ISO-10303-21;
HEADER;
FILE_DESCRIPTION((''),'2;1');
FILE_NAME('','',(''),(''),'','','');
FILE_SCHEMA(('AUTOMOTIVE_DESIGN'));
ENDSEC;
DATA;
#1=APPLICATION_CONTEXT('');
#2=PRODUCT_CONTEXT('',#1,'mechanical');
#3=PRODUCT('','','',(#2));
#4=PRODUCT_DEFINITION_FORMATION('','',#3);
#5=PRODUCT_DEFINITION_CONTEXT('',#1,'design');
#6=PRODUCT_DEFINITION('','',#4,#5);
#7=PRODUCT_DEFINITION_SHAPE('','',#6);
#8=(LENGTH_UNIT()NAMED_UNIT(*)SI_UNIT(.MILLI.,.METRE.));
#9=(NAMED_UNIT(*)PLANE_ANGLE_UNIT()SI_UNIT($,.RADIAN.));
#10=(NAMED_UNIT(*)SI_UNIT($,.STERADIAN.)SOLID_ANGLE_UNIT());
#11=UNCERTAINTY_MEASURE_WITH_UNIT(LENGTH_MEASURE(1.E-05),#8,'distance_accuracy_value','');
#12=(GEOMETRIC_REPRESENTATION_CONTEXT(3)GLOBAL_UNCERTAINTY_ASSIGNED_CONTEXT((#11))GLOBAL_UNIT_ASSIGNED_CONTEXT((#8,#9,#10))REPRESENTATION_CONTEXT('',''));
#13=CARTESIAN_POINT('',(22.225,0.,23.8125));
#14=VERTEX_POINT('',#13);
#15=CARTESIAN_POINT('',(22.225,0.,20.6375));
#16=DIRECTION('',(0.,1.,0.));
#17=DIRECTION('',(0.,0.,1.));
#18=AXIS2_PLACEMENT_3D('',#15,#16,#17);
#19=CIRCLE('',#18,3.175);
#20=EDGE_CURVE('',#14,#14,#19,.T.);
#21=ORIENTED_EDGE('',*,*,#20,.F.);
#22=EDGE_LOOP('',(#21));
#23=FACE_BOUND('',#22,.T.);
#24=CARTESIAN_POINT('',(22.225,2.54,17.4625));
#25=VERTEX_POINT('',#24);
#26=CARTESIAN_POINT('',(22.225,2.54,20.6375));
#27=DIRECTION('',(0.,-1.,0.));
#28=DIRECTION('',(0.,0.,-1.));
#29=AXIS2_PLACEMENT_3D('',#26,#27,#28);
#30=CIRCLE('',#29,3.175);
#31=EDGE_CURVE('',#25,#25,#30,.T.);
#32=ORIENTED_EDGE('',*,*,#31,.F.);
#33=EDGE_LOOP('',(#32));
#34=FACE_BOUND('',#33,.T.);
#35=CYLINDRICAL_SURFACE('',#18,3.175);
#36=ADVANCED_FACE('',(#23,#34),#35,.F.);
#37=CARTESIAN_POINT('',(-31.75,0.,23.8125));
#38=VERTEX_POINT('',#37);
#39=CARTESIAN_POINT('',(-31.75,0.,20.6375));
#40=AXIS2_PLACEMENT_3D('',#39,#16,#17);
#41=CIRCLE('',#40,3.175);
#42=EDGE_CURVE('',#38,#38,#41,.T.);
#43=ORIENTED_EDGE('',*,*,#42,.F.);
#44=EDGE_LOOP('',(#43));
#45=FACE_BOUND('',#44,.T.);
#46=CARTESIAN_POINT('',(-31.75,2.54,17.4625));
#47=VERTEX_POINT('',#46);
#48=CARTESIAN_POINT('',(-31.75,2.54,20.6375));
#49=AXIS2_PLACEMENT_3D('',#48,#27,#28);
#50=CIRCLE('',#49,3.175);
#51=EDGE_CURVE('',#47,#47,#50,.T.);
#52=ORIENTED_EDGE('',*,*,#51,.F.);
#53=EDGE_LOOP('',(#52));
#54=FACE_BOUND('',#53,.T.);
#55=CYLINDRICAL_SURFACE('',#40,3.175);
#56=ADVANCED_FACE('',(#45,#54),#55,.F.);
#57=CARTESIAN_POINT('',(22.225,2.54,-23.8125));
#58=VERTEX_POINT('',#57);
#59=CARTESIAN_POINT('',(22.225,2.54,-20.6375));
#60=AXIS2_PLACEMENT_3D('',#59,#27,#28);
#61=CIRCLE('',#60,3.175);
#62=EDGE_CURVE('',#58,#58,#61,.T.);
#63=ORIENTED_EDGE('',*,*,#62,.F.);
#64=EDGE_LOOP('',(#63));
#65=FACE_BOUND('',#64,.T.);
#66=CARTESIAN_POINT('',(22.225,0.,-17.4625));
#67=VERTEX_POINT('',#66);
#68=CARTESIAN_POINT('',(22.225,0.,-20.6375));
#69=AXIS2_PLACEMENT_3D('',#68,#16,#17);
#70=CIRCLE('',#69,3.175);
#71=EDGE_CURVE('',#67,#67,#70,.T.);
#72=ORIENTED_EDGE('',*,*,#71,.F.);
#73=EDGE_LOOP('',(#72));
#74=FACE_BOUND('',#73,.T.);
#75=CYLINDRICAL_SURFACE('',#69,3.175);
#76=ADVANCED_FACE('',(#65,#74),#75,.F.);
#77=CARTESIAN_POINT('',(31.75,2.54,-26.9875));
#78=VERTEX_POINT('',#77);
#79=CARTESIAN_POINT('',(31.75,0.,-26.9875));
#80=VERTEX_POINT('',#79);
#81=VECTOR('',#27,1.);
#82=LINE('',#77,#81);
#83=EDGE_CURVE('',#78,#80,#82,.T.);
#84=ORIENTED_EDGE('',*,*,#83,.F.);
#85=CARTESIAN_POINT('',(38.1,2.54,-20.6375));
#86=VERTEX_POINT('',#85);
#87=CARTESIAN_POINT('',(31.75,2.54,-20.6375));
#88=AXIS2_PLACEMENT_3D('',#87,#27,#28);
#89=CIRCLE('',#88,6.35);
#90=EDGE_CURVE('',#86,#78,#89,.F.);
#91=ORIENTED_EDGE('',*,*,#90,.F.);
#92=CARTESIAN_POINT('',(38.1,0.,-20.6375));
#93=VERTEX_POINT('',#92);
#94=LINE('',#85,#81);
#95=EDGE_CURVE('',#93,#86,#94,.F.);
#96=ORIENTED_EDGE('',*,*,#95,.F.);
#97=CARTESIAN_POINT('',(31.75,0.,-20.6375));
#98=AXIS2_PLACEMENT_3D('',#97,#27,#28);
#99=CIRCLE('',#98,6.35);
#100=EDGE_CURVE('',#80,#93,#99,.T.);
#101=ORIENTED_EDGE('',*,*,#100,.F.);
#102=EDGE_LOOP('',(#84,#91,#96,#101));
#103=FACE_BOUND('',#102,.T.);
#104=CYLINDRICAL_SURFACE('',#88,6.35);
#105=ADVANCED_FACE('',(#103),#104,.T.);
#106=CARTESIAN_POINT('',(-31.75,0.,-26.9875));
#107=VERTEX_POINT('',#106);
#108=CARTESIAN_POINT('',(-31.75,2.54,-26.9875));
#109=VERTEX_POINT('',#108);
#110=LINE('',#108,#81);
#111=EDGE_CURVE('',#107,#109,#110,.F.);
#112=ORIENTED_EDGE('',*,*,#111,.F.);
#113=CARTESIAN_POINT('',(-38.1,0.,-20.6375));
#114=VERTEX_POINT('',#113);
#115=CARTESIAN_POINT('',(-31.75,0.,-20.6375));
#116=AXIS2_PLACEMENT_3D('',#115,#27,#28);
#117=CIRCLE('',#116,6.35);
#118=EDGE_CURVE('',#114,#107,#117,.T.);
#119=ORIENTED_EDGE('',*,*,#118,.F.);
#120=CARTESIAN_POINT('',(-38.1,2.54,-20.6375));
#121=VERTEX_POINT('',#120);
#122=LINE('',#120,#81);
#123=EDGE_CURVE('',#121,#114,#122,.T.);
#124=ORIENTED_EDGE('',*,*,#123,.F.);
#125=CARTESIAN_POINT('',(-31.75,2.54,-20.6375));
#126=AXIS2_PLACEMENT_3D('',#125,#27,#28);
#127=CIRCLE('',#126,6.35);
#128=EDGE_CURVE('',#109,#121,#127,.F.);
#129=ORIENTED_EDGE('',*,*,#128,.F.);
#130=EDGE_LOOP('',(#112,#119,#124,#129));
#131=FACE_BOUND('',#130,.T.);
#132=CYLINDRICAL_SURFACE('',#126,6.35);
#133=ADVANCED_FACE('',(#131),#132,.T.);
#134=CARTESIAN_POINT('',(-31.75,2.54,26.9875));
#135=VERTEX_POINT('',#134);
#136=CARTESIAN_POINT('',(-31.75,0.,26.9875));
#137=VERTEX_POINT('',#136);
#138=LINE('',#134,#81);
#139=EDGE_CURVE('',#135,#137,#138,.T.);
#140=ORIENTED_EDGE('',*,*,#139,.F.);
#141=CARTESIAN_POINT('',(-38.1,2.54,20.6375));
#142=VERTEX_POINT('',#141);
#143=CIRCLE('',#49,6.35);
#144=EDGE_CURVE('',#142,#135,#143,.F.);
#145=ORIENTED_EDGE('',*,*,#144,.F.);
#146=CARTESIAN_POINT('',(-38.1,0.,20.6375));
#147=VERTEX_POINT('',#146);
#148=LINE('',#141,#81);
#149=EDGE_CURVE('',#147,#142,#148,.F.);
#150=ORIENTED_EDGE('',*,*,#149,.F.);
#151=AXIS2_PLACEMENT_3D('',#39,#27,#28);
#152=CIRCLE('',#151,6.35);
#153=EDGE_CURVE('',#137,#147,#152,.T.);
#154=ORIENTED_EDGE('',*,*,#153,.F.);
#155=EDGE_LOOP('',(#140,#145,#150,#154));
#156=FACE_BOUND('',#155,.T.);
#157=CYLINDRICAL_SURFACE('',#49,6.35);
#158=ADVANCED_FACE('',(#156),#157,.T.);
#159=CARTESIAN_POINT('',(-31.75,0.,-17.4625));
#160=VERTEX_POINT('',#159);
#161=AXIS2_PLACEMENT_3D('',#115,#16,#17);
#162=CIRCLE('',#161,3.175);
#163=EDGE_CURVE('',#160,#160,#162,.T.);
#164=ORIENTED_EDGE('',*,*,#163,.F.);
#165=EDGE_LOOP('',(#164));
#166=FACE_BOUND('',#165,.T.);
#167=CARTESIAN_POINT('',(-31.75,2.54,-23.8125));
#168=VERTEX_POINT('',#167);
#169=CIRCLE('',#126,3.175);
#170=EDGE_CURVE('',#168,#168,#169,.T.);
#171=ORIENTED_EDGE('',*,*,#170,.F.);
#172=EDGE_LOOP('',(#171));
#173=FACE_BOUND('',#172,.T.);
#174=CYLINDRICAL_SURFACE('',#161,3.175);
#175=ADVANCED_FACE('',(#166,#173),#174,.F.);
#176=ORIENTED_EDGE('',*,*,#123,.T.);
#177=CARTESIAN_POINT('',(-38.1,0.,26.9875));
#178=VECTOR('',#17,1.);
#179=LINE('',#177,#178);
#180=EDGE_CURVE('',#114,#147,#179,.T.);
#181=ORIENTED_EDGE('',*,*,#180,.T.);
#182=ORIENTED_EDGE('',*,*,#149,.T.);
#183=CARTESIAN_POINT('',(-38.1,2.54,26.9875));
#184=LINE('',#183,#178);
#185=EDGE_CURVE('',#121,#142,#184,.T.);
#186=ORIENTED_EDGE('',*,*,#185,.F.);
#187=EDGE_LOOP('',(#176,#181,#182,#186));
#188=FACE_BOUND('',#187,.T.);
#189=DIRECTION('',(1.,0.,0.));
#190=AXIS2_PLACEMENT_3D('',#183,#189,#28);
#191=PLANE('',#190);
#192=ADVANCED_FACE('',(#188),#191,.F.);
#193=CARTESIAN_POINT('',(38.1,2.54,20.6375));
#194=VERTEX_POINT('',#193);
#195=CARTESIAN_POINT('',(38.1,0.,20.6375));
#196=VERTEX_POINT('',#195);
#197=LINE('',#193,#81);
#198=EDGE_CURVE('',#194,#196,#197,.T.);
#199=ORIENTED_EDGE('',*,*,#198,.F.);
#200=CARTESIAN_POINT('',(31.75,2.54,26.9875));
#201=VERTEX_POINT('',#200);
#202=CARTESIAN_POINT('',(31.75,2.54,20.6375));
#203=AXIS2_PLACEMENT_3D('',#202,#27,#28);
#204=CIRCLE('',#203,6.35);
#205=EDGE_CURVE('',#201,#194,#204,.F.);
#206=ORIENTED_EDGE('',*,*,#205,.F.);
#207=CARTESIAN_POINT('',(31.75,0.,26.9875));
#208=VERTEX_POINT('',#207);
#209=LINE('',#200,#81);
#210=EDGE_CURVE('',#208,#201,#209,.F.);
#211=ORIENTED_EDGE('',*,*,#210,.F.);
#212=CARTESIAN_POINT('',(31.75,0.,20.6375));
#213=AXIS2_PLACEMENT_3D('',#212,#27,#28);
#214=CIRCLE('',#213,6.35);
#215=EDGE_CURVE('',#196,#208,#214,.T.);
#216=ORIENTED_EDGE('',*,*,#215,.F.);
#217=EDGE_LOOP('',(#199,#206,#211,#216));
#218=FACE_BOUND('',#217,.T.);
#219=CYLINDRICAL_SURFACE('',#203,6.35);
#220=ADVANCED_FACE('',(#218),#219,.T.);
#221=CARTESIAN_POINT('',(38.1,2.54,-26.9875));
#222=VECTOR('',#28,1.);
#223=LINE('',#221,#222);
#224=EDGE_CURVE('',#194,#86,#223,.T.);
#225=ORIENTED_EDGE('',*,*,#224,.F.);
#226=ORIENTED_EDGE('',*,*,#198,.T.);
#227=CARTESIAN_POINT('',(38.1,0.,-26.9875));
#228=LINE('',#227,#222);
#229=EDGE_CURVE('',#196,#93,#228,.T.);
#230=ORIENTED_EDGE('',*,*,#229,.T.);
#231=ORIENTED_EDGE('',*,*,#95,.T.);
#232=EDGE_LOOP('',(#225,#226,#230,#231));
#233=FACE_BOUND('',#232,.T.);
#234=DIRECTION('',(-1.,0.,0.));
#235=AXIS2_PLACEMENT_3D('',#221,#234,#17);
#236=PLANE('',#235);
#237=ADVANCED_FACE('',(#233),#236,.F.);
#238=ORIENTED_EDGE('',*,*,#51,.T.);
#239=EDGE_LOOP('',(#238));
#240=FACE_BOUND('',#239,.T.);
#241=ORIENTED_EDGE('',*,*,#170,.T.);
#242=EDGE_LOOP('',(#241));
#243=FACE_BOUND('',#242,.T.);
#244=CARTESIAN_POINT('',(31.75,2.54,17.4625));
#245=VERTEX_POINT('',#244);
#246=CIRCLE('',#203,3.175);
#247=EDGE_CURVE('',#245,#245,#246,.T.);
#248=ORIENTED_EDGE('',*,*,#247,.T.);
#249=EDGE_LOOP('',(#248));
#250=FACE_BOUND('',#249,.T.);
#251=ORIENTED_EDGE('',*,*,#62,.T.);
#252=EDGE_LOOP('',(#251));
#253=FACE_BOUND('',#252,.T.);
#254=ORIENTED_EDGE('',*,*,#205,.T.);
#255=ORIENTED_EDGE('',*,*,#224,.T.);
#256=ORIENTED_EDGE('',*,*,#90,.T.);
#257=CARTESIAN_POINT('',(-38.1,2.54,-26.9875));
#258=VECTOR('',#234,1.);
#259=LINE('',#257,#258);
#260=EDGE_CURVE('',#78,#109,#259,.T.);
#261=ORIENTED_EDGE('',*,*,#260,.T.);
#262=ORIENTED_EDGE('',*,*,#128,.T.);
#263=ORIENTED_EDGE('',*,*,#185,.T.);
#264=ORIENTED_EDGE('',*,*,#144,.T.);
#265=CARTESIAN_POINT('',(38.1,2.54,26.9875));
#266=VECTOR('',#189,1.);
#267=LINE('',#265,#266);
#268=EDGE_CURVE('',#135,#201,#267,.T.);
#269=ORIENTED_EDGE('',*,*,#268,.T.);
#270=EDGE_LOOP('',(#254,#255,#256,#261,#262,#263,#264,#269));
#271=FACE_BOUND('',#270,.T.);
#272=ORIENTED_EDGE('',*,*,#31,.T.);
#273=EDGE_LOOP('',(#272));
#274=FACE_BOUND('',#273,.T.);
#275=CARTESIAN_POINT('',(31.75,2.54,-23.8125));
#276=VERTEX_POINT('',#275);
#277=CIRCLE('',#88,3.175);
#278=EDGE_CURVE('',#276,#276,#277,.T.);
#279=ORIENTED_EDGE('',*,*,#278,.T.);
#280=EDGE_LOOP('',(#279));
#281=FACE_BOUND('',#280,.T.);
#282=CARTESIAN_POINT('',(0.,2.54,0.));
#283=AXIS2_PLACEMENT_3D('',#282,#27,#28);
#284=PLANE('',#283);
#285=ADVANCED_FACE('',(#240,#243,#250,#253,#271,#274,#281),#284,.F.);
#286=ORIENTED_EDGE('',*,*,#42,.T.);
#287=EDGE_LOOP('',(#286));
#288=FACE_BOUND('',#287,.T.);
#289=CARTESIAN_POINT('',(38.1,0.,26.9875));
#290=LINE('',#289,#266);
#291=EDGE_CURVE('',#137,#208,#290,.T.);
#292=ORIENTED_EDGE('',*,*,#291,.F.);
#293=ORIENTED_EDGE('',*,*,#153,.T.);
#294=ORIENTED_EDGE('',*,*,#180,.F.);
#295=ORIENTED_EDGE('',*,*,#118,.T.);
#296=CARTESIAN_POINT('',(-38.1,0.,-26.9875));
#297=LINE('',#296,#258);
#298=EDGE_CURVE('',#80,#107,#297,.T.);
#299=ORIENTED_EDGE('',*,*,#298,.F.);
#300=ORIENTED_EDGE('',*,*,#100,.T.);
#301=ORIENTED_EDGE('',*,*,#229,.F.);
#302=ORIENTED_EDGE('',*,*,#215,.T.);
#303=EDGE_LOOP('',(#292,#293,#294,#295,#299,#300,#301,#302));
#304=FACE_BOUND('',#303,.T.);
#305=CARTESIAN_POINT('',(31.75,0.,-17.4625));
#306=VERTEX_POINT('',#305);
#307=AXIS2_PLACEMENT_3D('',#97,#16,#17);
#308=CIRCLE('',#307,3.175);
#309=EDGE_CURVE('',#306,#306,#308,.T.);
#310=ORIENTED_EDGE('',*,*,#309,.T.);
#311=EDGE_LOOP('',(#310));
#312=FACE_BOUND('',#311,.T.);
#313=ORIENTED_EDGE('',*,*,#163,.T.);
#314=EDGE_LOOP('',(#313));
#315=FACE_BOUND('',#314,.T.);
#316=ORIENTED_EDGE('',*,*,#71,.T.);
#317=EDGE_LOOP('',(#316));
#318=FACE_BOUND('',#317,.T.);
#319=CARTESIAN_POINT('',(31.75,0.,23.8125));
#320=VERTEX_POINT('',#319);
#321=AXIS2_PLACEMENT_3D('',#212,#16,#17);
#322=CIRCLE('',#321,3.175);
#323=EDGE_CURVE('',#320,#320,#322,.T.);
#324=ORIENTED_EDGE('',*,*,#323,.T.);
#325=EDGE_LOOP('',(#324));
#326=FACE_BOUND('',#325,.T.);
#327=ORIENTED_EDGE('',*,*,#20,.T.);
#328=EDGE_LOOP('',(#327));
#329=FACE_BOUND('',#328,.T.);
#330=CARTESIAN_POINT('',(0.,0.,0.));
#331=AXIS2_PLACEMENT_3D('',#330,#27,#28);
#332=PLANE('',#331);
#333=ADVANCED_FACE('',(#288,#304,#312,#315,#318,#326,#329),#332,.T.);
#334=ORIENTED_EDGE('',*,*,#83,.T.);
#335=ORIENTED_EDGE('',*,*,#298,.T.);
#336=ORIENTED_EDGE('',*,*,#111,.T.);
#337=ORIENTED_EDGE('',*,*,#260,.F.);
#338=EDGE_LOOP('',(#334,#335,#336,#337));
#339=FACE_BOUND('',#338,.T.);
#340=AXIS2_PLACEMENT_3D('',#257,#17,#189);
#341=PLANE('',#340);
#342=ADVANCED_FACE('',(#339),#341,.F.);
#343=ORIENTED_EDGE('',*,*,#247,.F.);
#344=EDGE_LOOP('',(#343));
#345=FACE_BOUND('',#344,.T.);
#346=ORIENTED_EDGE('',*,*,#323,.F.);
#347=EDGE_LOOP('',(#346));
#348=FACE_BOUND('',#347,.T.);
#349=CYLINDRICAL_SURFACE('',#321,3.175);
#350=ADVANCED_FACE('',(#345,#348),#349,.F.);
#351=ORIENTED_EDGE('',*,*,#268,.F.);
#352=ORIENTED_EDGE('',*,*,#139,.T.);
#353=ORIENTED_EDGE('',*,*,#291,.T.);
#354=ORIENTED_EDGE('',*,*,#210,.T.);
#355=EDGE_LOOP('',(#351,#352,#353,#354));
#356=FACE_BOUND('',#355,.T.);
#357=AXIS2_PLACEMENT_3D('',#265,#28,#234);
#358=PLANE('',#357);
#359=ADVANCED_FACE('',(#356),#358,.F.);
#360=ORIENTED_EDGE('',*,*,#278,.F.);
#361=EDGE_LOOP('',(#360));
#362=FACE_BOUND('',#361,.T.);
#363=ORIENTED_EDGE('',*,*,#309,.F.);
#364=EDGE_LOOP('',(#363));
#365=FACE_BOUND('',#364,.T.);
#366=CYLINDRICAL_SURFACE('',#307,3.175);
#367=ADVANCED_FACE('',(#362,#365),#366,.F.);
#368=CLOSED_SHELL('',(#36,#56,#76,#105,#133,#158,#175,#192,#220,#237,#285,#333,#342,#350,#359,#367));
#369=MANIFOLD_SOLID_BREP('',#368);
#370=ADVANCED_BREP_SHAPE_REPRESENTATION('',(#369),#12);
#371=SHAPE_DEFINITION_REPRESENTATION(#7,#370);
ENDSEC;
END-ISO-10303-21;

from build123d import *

# Parameters (mm, degrees)
MAIN_LID_SKETCH_W   = 76.2
MAIN_LID_SKETCH_H   = 53.975
MAIN_LID_DEPTH      = 2.54
HOLE_CUT_DEPTH      = 47.758814744
HOLE_CUT_DEPTH_BACK = 47.758814744
HOLE_CUT_SKETCH_R   = 3.175
CORNER_FILLET_R     = 6.35


with BuildPart() as part:
    # Main Lid Sketch → Main Lid (new body)
    with BuildSketch(Plane(origin=(0, 0, 0), x_dir=(1, 0, 0), z_dir=(0, 1, 0))):
        Rectangle(MAIN_LID_SKETCH_W, MAIN_LID_SKETCH_H)
    extrude(amount=MAIN_LID_DEPTH)

    # Hole Cut Sketch → Hole Cut (cut, two sides: drawn at the far end of the back side and taken through both)
    with BuildSketch(Plane(origin=(0, 2.54, 0), x_dir=(1, 0, 0), z_dir=(0, 1, 0)).offset(-HOLE_CUT_DEPTH_BACK)):
        with Locations(Location((31.75, -20.6375, 0), (0, 0, 270))):
            Circle(HOLE_CUT_SKETCH_R)
        with Locations(Location((22.225, -20.6375, 0), (0, 0, 270))):
            Circle(HOLE_CUT_SKETCH_R)
        with Locations(Location((-31.75, -20.6375, 0), (0, 0, 270))):
            Circle(HOLE_CUT_SKETCH_R)
        with Locations(Location((-31.75, 20.6375, 0), (0, 0, 270))):
            Circle(HOLE_CUT_SKETCH_R)
        with Locations(Location((22.225, 20.6375, 0), (0, 0, 270))):
            Circle(HOLE_CUT_SKETCH_R)
        with Locations(Location((31.75, 20.6375, 0), (0, 0, 270))):
            Circle(HOLE_CUT_SKETCH_R)
    extrude(amount=HOLE_CUT_DEPTH + HOLE_CUT_DEPTH_BACK, mode=Mode.SUBTRACT)

    # Corner Fillet
    corner_fillet_edges = [part.edges().sort_by_distance(p)[0] for p in [
        (-38.1, 1.27, -26.9875),
        (38.1, 1.27, -26.9875),
        (38.1, 1.27, 26.9875),
        (-38.1, 1.27, 26.9875),
    ]]
    fillet(corner_fillet_edges, radius=CORNER_FILLET_R)


solid = part.part
